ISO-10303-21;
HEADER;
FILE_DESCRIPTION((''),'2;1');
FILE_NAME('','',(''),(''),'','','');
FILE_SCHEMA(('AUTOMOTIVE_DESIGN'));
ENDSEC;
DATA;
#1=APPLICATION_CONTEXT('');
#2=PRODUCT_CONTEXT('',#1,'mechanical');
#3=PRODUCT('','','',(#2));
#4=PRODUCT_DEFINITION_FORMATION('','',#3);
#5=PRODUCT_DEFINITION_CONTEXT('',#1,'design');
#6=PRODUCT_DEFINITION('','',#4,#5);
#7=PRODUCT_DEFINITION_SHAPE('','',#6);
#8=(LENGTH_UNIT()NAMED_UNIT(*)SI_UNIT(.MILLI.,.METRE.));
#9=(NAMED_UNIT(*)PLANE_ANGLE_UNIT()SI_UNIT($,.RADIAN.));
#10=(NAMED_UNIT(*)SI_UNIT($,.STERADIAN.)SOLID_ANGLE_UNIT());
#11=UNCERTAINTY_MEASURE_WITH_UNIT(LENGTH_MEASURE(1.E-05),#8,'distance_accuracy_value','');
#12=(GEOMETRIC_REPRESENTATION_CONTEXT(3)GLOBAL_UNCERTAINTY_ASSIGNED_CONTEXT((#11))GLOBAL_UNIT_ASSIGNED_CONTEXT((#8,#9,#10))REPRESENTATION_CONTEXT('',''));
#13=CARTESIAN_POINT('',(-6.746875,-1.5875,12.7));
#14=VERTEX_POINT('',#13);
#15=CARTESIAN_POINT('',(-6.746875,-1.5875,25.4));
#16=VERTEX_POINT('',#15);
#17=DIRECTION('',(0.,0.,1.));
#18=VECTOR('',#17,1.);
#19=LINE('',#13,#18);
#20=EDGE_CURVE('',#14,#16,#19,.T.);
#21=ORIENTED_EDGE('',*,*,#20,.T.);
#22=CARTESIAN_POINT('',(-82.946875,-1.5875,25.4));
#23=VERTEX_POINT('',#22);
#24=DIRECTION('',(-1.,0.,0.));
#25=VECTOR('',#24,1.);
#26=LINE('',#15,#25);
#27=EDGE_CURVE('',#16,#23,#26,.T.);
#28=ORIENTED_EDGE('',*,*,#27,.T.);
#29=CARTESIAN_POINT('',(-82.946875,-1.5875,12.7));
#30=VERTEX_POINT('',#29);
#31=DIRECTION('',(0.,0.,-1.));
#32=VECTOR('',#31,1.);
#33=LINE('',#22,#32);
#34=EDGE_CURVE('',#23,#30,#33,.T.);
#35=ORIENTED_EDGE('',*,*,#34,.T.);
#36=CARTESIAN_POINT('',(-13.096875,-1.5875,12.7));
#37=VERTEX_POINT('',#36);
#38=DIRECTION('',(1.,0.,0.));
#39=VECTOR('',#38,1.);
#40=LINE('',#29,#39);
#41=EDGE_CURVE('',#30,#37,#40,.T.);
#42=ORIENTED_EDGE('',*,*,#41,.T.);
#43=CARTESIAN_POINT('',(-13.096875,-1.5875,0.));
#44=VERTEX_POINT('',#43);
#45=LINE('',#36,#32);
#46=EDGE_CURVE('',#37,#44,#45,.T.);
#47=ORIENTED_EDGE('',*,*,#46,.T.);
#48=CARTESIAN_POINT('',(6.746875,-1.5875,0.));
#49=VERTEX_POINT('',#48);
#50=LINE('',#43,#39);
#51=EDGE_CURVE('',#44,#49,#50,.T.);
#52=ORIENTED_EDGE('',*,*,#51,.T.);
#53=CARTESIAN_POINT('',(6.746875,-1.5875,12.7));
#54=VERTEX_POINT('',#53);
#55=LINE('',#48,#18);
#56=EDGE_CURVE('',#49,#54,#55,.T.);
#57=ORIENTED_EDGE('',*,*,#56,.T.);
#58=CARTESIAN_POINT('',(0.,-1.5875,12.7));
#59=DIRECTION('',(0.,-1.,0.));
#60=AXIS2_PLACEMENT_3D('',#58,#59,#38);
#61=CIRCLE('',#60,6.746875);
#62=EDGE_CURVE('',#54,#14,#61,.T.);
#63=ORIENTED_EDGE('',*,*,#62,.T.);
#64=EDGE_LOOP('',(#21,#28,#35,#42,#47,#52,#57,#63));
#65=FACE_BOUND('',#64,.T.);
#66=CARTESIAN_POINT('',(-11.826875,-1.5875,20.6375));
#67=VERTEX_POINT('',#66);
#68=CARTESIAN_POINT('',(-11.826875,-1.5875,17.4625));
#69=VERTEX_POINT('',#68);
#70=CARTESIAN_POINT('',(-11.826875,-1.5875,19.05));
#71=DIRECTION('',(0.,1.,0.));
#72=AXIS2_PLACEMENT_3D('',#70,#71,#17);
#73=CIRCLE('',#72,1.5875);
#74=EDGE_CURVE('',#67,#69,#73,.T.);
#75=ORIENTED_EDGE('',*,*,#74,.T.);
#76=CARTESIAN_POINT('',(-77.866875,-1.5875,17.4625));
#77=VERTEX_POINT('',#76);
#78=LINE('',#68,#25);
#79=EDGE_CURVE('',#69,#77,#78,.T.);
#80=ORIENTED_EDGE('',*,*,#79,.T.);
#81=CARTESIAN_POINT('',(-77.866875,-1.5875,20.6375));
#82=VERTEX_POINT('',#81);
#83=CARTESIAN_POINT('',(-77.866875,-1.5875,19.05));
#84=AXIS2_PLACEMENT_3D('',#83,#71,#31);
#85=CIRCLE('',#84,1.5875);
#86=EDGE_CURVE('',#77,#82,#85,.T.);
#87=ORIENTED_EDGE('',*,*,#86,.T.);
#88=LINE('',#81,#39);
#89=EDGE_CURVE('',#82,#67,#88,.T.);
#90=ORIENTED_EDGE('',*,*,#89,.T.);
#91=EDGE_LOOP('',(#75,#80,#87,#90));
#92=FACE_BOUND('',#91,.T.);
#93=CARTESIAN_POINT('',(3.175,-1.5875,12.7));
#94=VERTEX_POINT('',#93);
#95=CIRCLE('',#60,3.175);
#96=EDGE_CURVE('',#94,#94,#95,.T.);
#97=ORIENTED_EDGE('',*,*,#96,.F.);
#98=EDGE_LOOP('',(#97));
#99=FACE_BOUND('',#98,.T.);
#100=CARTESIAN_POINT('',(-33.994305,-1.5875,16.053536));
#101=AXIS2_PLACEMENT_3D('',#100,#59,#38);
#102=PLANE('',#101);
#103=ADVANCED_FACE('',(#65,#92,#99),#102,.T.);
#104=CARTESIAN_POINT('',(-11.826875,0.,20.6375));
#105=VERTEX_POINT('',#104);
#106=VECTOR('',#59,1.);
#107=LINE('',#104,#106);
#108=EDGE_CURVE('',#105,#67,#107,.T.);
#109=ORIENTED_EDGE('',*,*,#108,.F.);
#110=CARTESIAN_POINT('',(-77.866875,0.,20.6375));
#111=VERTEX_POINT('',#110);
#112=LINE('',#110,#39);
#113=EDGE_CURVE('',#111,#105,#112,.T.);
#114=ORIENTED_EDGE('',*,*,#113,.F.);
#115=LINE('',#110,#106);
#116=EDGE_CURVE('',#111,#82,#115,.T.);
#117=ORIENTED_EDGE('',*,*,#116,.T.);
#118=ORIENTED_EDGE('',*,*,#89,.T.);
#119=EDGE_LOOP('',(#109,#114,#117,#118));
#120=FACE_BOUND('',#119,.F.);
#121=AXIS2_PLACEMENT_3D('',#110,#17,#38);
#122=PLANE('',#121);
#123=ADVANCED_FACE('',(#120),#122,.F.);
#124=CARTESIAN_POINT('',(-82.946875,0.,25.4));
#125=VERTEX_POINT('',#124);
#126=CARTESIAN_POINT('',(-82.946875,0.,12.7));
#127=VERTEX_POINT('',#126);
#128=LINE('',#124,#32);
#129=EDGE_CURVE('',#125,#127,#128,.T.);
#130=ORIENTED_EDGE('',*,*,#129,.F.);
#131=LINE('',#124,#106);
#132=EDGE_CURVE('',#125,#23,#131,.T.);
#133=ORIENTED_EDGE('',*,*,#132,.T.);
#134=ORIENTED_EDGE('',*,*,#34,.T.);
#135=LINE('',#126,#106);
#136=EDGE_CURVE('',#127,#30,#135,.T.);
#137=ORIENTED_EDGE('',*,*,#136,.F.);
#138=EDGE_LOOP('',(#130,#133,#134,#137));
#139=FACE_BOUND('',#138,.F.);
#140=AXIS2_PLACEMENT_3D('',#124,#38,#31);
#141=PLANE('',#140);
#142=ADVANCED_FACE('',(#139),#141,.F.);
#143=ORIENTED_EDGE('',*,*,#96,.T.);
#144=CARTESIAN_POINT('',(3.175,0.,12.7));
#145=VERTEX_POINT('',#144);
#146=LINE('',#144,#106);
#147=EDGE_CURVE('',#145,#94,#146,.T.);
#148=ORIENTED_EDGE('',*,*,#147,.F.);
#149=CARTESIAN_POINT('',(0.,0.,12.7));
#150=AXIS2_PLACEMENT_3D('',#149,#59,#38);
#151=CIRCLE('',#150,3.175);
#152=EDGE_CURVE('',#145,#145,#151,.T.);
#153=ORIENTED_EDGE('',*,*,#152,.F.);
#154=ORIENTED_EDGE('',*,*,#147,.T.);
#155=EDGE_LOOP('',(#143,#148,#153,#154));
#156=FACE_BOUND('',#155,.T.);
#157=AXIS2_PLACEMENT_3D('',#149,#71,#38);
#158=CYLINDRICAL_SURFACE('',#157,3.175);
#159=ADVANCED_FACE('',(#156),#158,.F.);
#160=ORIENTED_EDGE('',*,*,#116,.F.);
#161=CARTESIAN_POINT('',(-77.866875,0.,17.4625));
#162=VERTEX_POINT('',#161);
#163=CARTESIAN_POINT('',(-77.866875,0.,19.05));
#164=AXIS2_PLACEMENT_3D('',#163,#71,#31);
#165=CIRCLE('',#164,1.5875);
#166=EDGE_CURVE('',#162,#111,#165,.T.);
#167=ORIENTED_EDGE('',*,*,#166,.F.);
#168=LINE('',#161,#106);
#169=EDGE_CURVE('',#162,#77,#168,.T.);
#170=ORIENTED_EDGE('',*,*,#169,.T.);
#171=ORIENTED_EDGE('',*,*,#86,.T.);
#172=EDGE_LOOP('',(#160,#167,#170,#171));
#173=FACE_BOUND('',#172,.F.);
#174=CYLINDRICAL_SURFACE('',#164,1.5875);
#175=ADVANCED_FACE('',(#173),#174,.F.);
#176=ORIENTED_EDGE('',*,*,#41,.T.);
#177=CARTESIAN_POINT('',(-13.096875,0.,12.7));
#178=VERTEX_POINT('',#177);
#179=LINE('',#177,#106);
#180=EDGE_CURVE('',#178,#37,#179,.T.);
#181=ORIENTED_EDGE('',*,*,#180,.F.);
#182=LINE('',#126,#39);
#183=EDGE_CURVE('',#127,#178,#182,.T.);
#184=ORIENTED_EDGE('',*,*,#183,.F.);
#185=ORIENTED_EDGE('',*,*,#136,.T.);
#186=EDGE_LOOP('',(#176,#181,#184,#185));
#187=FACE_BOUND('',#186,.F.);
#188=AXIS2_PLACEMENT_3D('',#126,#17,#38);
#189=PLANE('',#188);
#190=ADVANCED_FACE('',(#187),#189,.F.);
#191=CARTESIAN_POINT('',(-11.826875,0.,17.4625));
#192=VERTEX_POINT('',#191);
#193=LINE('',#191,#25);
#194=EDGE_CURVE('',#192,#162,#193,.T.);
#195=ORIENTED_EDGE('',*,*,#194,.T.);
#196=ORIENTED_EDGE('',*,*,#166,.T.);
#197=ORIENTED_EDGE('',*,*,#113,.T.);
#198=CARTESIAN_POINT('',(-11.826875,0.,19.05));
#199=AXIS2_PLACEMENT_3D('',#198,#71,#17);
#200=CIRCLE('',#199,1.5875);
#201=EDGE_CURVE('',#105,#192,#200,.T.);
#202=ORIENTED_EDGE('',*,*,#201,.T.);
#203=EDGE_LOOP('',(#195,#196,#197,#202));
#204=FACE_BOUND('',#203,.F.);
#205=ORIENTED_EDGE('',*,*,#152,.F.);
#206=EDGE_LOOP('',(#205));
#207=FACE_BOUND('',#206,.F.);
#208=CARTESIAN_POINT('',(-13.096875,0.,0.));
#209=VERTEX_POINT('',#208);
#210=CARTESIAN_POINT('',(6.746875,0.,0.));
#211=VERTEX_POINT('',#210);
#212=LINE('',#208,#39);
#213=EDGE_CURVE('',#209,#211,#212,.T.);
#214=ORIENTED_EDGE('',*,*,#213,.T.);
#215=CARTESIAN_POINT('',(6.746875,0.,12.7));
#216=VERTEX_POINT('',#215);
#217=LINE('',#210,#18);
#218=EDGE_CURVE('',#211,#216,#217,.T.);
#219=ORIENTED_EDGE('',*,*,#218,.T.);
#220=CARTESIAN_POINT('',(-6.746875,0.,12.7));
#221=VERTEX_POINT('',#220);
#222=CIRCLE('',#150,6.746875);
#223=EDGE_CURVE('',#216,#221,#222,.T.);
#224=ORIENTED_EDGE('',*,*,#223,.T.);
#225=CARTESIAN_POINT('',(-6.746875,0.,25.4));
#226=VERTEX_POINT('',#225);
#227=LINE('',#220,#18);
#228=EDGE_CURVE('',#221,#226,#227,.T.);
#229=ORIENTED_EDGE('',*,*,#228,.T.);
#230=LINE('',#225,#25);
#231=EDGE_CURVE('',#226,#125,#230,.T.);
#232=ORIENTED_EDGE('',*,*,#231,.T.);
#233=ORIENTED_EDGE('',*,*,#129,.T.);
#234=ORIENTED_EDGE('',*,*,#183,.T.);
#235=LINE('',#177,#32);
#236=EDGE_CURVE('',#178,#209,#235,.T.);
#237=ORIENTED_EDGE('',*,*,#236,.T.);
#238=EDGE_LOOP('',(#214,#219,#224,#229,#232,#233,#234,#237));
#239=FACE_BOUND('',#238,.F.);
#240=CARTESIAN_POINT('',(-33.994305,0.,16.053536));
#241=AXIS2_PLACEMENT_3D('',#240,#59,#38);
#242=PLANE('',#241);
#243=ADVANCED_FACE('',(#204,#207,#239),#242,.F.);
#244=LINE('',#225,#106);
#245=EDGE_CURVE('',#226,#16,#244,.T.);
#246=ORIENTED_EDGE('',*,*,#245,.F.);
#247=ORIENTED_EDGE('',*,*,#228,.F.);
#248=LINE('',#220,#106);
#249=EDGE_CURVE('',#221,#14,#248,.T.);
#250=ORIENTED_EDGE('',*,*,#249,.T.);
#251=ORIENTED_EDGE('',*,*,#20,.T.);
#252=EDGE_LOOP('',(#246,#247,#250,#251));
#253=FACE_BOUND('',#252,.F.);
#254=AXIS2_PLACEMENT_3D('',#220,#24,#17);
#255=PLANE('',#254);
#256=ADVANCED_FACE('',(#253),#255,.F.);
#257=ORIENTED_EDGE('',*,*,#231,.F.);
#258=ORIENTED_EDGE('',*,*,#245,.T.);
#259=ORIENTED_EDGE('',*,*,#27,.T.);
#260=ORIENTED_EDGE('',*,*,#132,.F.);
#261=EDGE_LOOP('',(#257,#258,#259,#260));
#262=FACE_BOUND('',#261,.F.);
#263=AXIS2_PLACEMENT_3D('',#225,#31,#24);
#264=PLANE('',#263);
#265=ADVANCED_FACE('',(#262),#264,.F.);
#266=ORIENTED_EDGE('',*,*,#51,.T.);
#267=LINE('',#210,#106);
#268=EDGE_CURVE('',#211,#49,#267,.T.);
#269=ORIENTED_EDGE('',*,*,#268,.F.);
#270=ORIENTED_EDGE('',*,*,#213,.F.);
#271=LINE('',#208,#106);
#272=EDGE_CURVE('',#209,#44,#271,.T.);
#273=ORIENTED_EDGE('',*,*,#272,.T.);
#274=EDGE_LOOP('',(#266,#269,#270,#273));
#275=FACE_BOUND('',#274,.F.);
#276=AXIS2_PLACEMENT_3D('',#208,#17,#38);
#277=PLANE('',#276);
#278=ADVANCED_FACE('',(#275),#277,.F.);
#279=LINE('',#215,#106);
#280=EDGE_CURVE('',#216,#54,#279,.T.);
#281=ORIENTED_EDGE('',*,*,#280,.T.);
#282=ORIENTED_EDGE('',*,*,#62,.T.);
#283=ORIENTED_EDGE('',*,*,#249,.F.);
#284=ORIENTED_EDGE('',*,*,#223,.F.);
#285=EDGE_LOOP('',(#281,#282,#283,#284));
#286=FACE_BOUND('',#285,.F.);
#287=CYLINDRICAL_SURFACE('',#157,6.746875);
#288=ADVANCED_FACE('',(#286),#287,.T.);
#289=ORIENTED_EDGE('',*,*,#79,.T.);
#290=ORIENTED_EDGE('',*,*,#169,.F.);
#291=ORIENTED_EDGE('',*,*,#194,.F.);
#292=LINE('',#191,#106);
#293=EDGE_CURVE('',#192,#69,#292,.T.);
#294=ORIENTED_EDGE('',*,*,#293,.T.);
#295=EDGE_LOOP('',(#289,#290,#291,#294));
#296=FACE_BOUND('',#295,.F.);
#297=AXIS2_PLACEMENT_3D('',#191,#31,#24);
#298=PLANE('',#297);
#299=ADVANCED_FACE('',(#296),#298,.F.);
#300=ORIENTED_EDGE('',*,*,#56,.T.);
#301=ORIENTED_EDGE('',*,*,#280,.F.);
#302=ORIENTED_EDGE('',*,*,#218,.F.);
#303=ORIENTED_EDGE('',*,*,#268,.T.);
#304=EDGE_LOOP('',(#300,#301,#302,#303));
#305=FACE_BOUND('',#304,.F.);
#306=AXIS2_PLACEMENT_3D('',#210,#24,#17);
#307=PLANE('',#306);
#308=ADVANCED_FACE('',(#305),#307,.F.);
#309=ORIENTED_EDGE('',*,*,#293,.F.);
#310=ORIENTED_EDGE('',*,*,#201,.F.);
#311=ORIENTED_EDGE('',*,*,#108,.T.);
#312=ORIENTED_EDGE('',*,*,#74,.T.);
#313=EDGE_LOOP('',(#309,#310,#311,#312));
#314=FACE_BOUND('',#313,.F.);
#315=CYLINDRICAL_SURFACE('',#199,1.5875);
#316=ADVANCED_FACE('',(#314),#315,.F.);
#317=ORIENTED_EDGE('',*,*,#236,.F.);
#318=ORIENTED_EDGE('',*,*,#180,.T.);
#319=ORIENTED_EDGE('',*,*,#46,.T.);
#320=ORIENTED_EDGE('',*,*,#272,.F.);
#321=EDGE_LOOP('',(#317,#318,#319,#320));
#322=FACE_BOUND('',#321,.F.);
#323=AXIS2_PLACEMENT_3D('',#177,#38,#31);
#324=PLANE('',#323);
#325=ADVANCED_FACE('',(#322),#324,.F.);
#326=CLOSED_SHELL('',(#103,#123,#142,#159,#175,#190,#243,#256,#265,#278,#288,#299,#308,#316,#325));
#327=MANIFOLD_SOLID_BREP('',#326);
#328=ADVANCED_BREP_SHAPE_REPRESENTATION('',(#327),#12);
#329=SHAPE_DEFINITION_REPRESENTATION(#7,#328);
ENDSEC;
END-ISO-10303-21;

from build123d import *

# Parameters (mm, degrees)
F0_R     = 3.175
F1_DEPTH = 1.5875


with BuildPart() as f1:
    # F0 (on Front) → F1 (new body)
    with BuildSketch(Plane.XZ):
        with BuildLine():
            Line((-13.096875, 0), (6.746875, 0))
            Line((6.746875, 0), (6.746875, 12.7))
            ThreePointArc((6.746875, 12.7), (0, 19.446875), (-6.746875, 12.7))
            Line((-6.746875, 12.7), (-6.746875, 25.4))
            Line((-6.746875, 25.4), (-82.946875, 25.4))
            Line((-82.946875, 25.4), (-82.946875, 12.7))
            Line((-82.946875, 12.7), (-13.096875, 12.7))
            Line((-13.096875, 12.7), (-13.096875, 0))
        make_face()
        with Locations((0, 12.7)):
            Circle(F0_R, mode=Mode.SUBTRACT)
        with BuildLine():
            ThreePointArc((-77.866875, 17.4625), (-79.454375, 19.05), (-77.866875, 20.6375))
            Line((-77.866875, 20.6375), (-11.826875, 20.6375))
            ThreePointArc((-11.826875, 20.6375), (-10.239375, 19.05), (-11.826875, 17.4625))
            Line((-11.826875, 17.4625), (-77.866875, 17.4625))
        make_face(mode=Mode.SUBTRACT)
    extrude(amount=F1_DEPTH)


solid = f1.part
